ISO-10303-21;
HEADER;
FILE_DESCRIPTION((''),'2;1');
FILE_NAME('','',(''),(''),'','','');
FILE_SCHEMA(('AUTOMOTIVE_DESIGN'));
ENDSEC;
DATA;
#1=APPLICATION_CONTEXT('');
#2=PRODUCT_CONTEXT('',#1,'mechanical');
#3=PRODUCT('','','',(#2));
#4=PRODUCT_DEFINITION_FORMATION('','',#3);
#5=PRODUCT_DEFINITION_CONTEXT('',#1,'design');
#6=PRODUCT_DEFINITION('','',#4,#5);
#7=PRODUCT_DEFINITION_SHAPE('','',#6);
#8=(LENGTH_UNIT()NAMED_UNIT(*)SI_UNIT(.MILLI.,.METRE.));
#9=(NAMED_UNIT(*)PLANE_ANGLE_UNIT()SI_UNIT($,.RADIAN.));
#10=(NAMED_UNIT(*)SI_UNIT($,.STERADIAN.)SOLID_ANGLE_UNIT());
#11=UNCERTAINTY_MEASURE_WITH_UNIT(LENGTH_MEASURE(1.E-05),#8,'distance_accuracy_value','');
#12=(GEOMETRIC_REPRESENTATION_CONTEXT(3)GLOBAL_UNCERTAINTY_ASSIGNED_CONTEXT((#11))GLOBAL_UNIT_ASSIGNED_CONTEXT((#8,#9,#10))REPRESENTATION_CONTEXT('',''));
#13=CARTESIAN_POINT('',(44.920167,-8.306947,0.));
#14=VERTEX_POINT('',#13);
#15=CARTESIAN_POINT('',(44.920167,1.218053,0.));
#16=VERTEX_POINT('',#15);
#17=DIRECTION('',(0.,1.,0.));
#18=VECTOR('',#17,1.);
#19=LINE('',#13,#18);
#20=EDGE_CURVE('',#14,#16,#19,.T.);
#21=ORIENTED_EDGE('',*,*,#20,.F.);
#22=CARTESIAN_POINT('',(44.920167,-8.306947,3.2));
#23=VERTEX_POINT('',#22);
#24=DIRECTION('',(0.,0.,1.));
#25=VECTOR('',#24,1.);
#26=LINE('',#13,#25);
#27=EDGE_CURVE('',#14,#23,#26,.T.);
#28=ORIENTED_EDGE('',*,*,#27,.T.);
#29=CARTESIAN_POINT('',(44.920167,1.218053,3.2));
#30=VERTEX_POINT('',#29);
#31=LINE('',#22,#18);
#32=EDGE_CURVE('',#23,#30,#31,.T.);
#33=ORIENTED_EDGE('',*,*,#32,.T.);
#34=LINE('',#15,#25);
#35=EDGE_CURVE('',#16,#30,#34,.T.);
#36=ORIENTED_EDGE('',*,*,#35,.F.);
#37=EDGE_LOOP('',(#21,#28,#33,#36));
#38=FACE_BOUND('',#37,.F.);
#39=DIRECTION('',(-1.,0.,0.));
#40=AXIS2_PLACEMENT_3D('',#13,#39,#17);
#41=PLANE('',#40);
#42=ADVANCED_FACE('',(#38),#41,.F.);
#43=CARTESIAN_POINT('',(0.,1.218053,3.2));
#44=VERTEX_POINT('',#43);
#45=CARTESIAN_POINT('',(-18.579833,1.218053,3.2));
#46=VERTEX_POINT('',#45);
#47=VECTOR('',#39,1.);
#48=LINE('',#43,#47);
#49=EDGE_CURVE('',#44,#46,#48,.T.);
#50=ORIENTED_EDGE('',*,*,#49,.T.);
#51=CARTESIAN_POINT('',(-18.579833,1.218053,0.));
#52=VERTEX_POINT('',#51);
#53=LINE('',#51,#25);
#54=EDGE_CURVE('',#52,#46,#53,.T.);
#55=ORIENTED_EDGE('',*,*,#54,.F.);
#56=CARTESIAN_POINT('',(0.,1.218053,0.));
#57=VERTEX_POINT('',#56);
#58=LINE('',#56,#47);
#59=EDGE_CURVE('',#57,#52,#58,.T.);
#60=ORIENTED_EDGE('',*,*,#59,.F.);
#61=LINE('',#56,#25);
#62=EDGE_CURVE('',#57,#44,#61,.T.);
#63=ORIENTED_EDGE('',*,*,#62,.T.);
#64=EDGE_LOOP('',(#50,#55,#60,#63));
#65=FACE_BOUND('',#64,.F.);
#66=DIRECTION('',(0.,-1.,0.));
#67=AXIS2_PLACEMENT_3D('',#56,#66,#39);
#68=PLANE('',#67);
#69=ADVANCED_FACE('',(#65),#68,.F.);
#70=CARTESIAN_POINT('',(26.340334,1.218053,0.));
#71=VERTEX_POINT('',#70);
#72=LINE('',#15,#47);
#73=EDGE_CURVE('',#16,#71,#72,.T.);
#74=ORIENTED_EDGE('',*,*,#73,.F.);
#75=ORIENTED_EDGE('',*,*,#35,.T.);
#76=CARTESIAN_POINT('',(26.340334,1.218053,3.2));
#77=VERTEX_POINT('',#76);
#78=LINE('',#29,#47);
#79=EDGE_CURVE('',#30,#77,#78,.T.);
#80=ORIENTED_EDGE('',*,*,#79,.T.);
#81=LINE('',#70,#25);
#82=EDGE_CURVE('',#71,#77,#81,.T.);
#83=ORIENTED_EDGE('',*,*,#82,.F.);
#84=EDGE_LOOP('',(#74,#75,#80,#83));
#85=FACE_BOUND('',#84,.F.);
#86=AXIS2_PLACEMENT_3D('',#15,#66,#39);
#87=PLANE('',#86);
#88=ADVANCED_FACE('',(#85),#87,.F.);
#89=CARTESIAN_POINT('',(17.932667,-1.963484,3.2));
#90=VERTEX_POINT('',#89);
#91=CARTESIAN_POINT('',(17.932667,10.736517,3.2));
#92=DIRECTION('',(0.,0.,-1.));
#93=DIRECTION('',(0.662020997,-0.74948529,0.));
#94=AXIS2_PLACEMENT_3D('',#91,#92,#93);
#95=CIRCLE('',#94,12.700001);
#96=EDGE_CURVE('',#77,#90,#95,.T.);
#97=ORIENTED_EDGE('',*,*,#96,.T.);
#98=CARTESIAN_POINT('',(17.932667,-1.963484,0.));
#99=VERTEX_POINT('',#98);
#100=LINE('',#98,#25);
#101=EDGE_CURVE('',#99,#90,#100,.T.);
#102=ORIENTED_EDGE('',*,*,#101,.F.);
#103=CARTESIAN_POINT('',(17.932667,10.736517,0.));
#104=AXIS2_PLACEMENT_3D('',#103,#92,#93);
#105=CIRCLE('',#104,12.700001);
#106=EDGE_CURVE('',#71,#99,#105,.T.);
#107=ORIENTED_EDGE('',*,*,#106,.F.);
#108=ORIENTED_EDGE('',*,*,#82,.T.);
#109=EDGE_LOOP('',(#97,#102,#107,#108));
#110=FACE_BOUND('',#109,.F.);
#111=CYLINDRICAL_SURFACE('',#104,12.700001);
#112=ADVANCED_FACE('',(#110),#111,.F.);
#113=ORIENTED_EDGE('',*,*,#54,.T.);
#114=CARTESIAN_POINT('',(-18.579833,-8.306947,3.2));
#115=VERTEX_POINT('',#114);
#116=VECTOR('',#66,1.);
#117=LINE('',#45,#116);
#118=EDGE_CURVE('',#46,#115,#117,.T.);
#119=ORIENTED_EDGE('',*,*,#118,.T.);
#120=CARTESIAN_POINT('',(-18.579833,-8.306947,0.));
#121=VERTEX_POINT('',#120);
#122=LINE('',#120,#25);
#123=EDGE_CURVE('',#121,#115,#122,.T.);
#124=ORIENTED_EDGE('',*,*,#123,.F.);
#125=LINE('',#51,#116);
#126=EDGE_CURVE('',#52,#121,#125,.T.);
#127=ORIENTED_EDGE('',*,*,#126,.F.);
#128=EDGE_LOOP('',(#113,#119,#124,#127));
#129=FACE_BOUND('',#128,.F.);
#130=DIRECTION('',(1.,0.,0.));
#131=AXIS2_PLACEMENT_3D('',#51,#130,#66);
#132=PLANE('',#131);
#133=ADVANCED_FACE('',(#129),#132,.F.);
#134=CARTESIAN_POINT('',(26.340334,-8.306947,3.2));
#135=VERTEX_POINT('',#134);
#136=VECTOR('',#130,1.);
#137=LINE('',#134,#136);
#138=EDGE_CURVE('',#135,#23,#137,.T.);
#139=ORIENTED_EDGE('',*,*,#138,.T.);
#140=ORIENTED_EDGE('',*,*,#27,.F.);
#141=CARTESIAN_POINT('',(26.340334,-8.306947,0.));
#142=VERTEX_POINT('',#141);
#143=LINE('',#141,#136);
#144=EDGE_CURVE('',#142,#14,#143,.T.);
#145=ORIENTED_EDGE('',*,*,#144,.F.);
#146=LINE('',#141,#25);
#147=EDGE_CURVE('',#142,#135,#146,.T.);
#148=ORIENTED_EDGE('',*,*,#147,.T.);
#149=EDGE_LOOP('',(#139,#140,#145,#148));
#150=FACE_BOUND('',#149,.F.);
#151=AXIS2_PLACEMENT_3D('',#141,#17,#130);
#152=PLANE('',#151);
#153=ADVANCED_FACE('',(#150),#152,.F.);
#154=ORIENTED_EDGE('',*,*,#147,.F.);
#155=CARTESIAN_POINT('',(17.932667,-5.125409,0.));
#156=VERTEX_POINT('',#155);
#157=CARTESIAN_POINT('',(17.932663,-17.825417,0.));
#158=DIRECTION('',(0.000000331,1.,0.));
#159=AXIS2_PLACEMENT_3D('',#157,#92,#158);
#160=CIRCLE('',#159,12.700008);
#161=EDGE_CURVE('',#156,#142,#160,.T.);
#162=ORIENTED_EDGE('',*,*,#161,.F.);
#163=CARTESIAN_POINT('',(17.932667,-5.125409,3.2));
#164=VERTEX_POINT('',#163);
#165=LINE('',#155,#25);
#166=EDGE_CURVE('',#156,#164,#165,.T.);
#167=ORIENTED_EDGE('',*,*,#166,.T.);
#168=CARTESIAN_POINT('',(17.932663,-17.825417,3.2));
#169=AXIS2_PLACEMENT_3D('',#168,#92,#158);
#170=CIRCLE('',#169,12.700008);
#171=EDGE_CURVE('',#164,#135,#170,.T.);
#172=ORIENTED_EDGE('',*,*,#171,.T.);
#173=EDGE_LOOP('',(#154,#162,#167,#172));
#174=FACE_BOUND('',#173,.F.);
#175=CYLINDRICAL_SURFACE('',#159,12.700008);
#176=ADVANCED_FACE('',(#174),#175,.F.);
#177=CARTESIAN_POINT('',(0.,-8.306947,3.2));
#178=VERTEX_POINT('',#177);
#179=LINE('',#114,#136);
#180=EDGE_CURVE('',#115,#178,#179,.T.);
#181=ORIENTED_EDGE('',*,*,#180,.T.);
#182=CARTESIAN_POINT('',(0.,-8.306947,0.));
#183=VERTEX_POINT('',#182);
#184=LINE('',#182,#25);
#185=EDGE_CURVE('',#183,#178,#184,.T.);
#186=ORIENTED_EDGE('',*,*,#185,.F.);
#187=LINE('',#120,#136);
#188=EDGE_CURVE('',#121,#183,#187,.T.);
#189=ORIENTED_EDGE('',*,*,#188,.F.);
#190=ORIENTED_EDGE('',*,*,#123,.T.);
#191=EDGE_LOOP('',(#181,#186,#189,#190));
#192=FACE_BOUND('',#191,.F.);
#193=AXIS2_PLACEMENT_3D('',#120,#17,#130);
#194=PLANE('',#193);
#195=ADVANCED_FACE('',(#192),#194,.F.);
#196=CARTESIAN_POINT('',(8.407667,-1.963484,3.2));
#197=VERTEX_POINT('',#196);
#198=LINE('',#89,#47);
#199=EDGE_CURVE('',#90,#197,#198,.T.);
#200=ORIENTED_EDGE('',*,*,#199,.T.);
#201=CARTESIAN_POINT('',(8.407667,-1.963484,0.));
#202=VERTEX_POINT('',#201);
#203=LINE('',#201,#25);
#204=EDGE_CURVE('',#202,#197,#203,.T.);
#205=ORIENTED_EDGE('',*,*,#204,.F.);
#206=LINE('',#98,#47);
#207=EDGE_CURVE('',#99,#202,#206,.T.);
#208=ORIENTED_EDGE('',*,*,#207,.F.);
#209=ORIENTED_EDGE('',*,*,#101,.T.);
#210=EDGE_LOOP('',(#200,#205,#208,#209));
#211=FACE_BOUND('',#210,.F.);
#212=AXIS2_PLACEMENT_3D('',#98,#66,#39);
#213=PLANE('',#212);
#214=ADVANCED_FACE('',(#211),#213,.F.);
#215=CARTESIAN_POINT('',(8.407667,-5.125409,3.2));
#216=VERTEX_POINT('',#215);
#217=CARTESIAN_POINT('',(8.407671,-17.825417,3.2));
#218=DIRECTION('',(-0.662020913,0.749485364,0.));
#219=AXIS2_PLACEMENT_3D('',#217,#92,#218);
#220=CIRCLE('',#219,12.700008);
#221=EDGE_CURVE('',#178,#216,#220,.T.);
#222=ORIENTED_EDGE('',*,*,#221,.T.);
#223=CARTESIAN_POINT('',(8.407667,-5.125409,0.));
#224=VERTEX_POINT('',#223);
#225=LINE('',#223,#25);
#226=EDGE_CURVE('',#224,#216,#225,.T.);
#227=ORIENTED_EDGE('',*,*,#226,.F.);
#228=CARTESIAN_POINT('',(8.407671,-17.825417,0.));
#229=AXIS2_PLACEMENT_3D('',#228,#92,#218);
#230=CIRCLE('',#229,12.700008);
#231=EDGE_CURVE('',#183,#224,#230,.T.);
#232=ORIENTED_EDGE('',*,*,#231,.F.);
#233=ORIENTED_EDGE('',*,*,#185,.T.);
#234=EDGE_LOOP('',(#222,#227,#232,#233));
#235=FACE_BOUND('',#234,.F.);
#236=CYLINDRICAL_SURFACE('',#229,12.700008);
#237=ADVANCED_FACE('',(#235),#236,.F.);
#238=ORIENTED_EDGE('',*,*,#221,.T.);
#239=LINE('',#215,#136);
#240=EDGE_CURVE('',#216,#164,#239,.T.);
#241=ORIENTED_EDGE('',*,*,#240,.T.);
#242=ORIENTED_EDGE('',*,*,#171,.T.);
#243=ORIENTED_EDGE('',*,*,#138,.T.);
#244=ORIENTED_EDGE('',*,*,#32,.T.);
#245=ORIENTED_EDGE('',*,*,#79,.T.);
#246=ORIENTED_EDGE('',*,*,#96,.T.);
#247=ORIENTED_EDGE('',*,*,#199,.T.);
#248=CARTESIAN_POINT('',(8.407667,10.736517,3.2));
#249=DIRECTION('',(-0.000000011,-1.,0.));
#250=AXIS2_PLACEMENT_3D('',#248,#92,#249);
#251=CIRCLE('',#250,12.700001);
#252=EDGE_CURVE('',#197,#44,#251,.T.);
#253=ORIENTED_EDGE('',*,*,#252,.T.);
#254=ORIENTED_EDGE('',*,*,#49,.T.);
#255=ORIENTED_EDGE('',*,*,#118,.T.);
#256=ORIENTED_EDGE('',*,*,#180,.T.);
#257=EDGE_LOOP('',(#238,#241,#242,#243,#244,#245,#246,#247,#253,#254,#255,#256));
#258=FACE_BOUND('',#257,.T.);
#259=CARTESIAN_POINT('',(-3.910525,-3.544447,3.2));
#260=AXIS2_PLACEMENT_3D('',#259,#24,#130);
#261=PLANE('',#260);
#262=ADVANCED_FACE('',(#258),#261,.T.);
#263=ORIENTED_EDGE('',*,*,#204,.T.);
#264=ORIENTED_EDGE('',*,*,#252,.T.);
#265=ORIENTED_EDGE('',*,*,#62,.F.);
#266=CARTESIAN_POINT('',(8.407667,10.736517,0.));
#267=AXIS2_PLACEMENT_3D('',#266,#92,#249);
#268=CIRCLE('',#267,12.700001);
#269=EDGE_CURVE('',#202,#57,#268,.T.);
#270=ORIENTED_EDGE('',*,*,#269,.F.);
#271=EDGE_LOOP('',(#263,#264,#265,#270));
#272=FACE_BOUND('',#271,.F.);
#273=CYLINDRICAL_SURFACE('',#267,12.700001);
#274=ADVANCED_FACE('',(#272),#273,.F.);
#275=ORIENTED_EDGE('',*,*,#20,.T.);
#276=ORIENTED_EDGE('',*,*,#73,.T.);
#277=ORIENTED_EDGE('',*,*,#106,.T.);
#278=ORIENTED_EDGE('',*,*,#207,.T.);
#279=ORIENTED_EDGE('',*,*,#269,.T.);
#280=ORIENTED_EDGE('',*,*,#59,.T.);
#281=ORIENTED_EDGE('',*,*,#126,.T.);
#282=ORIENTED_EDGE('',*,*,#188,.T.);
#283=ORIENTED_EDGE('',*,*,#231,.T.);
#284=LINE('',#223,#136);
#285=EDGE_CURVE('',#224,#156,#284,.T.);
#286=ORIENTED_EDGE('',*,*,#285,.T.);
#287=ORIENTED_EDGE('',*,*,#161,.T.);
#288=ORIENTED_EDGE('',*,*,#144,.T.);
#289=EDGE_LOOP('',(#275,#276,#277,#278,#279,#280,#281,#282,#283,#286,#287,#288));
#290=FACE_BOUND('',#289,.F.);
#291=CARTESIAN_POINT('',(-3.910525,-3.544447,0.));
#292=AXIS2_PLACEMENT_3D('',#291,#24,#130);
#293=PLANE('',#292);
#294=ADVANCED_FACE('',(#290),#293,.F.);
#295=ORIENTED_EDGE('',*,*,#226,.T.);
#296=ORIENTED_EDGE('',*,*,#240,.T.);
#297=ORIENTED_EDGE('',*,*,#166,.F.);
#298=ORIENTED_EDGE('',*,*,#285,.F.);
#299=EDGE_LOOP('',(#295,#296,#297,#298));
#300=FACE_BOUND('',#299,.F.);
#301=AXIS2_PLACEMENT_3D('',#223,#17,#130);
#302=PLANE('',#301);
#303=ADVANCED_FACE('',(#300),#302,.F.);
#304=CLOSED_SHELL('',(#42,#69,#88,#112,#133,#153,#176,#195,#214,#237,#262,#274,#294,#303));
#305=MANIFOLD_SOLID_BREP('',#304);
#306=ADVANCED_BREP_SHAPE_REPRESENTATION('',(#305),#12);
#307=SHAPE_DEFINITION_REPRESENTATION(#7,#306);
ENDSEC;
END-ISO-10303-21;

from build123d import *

# Parameters (mm, degrees)
F1_DEPTH = 3.2


with BuildPart() as f1:
    # F0 (on Top) → F1 (new body)
    with BuildSketch(Plane.XY):
        with BuildLine():
            Line((0, 1.218053), (-18.579833, 1.218053))
            Line((-18.579833, 1.218053), (-18.579833, -3.544447))
            Line((-18.579833, -3.544447), (-18.579833, -8.306947))
            Line((-18.579833, -8.306947), (0, -8.306947))
            ThreePointArc((0, -8.306947), (3.912919, -5.947395), (8.407667, -5.125409))
            Line((8.407667, -5.125409), (13.170167, -5.125409))
            Line((13.170167, -5.125409), (13.170167, -1.963484))
            Line((13.170167, -1.963484), (8.407667, -1.963484))
            ThreePointArc((8.407667, -1.963484), (3.912919, -1.141499), (0, 1.218053))
        make_face()
        with BuildLine():
            Line((17.932667, -1.963484), (13.170167, -1.963484))
            Line((13.170167, -1.963484), (13.170167, -5.125409))
            Line((13.170167, -5.125409), (17.932667, -5.125409))
            ThreePointArc((17.932667, -5.125409), (22.427415, -5.947395), (26.340334, -8.306947))
            Line((26.340334, -8.306947), (44.920167, -8.306947))
            Line((44.920167, -8.306947), (44.920167, -3.544447))
            Line((44.920167, -3.544447), (44.920167, 1.218053))
            Line((44.920167, 1.218053), (26.340334, 1.218053))
            ThreePointArc((26.340334, 1.218053), (22.427415, -1.141499), (17.932667, -1.963484))
        make_face()
    extrude(amount=F1_DEPTH)


solid = f1.part
